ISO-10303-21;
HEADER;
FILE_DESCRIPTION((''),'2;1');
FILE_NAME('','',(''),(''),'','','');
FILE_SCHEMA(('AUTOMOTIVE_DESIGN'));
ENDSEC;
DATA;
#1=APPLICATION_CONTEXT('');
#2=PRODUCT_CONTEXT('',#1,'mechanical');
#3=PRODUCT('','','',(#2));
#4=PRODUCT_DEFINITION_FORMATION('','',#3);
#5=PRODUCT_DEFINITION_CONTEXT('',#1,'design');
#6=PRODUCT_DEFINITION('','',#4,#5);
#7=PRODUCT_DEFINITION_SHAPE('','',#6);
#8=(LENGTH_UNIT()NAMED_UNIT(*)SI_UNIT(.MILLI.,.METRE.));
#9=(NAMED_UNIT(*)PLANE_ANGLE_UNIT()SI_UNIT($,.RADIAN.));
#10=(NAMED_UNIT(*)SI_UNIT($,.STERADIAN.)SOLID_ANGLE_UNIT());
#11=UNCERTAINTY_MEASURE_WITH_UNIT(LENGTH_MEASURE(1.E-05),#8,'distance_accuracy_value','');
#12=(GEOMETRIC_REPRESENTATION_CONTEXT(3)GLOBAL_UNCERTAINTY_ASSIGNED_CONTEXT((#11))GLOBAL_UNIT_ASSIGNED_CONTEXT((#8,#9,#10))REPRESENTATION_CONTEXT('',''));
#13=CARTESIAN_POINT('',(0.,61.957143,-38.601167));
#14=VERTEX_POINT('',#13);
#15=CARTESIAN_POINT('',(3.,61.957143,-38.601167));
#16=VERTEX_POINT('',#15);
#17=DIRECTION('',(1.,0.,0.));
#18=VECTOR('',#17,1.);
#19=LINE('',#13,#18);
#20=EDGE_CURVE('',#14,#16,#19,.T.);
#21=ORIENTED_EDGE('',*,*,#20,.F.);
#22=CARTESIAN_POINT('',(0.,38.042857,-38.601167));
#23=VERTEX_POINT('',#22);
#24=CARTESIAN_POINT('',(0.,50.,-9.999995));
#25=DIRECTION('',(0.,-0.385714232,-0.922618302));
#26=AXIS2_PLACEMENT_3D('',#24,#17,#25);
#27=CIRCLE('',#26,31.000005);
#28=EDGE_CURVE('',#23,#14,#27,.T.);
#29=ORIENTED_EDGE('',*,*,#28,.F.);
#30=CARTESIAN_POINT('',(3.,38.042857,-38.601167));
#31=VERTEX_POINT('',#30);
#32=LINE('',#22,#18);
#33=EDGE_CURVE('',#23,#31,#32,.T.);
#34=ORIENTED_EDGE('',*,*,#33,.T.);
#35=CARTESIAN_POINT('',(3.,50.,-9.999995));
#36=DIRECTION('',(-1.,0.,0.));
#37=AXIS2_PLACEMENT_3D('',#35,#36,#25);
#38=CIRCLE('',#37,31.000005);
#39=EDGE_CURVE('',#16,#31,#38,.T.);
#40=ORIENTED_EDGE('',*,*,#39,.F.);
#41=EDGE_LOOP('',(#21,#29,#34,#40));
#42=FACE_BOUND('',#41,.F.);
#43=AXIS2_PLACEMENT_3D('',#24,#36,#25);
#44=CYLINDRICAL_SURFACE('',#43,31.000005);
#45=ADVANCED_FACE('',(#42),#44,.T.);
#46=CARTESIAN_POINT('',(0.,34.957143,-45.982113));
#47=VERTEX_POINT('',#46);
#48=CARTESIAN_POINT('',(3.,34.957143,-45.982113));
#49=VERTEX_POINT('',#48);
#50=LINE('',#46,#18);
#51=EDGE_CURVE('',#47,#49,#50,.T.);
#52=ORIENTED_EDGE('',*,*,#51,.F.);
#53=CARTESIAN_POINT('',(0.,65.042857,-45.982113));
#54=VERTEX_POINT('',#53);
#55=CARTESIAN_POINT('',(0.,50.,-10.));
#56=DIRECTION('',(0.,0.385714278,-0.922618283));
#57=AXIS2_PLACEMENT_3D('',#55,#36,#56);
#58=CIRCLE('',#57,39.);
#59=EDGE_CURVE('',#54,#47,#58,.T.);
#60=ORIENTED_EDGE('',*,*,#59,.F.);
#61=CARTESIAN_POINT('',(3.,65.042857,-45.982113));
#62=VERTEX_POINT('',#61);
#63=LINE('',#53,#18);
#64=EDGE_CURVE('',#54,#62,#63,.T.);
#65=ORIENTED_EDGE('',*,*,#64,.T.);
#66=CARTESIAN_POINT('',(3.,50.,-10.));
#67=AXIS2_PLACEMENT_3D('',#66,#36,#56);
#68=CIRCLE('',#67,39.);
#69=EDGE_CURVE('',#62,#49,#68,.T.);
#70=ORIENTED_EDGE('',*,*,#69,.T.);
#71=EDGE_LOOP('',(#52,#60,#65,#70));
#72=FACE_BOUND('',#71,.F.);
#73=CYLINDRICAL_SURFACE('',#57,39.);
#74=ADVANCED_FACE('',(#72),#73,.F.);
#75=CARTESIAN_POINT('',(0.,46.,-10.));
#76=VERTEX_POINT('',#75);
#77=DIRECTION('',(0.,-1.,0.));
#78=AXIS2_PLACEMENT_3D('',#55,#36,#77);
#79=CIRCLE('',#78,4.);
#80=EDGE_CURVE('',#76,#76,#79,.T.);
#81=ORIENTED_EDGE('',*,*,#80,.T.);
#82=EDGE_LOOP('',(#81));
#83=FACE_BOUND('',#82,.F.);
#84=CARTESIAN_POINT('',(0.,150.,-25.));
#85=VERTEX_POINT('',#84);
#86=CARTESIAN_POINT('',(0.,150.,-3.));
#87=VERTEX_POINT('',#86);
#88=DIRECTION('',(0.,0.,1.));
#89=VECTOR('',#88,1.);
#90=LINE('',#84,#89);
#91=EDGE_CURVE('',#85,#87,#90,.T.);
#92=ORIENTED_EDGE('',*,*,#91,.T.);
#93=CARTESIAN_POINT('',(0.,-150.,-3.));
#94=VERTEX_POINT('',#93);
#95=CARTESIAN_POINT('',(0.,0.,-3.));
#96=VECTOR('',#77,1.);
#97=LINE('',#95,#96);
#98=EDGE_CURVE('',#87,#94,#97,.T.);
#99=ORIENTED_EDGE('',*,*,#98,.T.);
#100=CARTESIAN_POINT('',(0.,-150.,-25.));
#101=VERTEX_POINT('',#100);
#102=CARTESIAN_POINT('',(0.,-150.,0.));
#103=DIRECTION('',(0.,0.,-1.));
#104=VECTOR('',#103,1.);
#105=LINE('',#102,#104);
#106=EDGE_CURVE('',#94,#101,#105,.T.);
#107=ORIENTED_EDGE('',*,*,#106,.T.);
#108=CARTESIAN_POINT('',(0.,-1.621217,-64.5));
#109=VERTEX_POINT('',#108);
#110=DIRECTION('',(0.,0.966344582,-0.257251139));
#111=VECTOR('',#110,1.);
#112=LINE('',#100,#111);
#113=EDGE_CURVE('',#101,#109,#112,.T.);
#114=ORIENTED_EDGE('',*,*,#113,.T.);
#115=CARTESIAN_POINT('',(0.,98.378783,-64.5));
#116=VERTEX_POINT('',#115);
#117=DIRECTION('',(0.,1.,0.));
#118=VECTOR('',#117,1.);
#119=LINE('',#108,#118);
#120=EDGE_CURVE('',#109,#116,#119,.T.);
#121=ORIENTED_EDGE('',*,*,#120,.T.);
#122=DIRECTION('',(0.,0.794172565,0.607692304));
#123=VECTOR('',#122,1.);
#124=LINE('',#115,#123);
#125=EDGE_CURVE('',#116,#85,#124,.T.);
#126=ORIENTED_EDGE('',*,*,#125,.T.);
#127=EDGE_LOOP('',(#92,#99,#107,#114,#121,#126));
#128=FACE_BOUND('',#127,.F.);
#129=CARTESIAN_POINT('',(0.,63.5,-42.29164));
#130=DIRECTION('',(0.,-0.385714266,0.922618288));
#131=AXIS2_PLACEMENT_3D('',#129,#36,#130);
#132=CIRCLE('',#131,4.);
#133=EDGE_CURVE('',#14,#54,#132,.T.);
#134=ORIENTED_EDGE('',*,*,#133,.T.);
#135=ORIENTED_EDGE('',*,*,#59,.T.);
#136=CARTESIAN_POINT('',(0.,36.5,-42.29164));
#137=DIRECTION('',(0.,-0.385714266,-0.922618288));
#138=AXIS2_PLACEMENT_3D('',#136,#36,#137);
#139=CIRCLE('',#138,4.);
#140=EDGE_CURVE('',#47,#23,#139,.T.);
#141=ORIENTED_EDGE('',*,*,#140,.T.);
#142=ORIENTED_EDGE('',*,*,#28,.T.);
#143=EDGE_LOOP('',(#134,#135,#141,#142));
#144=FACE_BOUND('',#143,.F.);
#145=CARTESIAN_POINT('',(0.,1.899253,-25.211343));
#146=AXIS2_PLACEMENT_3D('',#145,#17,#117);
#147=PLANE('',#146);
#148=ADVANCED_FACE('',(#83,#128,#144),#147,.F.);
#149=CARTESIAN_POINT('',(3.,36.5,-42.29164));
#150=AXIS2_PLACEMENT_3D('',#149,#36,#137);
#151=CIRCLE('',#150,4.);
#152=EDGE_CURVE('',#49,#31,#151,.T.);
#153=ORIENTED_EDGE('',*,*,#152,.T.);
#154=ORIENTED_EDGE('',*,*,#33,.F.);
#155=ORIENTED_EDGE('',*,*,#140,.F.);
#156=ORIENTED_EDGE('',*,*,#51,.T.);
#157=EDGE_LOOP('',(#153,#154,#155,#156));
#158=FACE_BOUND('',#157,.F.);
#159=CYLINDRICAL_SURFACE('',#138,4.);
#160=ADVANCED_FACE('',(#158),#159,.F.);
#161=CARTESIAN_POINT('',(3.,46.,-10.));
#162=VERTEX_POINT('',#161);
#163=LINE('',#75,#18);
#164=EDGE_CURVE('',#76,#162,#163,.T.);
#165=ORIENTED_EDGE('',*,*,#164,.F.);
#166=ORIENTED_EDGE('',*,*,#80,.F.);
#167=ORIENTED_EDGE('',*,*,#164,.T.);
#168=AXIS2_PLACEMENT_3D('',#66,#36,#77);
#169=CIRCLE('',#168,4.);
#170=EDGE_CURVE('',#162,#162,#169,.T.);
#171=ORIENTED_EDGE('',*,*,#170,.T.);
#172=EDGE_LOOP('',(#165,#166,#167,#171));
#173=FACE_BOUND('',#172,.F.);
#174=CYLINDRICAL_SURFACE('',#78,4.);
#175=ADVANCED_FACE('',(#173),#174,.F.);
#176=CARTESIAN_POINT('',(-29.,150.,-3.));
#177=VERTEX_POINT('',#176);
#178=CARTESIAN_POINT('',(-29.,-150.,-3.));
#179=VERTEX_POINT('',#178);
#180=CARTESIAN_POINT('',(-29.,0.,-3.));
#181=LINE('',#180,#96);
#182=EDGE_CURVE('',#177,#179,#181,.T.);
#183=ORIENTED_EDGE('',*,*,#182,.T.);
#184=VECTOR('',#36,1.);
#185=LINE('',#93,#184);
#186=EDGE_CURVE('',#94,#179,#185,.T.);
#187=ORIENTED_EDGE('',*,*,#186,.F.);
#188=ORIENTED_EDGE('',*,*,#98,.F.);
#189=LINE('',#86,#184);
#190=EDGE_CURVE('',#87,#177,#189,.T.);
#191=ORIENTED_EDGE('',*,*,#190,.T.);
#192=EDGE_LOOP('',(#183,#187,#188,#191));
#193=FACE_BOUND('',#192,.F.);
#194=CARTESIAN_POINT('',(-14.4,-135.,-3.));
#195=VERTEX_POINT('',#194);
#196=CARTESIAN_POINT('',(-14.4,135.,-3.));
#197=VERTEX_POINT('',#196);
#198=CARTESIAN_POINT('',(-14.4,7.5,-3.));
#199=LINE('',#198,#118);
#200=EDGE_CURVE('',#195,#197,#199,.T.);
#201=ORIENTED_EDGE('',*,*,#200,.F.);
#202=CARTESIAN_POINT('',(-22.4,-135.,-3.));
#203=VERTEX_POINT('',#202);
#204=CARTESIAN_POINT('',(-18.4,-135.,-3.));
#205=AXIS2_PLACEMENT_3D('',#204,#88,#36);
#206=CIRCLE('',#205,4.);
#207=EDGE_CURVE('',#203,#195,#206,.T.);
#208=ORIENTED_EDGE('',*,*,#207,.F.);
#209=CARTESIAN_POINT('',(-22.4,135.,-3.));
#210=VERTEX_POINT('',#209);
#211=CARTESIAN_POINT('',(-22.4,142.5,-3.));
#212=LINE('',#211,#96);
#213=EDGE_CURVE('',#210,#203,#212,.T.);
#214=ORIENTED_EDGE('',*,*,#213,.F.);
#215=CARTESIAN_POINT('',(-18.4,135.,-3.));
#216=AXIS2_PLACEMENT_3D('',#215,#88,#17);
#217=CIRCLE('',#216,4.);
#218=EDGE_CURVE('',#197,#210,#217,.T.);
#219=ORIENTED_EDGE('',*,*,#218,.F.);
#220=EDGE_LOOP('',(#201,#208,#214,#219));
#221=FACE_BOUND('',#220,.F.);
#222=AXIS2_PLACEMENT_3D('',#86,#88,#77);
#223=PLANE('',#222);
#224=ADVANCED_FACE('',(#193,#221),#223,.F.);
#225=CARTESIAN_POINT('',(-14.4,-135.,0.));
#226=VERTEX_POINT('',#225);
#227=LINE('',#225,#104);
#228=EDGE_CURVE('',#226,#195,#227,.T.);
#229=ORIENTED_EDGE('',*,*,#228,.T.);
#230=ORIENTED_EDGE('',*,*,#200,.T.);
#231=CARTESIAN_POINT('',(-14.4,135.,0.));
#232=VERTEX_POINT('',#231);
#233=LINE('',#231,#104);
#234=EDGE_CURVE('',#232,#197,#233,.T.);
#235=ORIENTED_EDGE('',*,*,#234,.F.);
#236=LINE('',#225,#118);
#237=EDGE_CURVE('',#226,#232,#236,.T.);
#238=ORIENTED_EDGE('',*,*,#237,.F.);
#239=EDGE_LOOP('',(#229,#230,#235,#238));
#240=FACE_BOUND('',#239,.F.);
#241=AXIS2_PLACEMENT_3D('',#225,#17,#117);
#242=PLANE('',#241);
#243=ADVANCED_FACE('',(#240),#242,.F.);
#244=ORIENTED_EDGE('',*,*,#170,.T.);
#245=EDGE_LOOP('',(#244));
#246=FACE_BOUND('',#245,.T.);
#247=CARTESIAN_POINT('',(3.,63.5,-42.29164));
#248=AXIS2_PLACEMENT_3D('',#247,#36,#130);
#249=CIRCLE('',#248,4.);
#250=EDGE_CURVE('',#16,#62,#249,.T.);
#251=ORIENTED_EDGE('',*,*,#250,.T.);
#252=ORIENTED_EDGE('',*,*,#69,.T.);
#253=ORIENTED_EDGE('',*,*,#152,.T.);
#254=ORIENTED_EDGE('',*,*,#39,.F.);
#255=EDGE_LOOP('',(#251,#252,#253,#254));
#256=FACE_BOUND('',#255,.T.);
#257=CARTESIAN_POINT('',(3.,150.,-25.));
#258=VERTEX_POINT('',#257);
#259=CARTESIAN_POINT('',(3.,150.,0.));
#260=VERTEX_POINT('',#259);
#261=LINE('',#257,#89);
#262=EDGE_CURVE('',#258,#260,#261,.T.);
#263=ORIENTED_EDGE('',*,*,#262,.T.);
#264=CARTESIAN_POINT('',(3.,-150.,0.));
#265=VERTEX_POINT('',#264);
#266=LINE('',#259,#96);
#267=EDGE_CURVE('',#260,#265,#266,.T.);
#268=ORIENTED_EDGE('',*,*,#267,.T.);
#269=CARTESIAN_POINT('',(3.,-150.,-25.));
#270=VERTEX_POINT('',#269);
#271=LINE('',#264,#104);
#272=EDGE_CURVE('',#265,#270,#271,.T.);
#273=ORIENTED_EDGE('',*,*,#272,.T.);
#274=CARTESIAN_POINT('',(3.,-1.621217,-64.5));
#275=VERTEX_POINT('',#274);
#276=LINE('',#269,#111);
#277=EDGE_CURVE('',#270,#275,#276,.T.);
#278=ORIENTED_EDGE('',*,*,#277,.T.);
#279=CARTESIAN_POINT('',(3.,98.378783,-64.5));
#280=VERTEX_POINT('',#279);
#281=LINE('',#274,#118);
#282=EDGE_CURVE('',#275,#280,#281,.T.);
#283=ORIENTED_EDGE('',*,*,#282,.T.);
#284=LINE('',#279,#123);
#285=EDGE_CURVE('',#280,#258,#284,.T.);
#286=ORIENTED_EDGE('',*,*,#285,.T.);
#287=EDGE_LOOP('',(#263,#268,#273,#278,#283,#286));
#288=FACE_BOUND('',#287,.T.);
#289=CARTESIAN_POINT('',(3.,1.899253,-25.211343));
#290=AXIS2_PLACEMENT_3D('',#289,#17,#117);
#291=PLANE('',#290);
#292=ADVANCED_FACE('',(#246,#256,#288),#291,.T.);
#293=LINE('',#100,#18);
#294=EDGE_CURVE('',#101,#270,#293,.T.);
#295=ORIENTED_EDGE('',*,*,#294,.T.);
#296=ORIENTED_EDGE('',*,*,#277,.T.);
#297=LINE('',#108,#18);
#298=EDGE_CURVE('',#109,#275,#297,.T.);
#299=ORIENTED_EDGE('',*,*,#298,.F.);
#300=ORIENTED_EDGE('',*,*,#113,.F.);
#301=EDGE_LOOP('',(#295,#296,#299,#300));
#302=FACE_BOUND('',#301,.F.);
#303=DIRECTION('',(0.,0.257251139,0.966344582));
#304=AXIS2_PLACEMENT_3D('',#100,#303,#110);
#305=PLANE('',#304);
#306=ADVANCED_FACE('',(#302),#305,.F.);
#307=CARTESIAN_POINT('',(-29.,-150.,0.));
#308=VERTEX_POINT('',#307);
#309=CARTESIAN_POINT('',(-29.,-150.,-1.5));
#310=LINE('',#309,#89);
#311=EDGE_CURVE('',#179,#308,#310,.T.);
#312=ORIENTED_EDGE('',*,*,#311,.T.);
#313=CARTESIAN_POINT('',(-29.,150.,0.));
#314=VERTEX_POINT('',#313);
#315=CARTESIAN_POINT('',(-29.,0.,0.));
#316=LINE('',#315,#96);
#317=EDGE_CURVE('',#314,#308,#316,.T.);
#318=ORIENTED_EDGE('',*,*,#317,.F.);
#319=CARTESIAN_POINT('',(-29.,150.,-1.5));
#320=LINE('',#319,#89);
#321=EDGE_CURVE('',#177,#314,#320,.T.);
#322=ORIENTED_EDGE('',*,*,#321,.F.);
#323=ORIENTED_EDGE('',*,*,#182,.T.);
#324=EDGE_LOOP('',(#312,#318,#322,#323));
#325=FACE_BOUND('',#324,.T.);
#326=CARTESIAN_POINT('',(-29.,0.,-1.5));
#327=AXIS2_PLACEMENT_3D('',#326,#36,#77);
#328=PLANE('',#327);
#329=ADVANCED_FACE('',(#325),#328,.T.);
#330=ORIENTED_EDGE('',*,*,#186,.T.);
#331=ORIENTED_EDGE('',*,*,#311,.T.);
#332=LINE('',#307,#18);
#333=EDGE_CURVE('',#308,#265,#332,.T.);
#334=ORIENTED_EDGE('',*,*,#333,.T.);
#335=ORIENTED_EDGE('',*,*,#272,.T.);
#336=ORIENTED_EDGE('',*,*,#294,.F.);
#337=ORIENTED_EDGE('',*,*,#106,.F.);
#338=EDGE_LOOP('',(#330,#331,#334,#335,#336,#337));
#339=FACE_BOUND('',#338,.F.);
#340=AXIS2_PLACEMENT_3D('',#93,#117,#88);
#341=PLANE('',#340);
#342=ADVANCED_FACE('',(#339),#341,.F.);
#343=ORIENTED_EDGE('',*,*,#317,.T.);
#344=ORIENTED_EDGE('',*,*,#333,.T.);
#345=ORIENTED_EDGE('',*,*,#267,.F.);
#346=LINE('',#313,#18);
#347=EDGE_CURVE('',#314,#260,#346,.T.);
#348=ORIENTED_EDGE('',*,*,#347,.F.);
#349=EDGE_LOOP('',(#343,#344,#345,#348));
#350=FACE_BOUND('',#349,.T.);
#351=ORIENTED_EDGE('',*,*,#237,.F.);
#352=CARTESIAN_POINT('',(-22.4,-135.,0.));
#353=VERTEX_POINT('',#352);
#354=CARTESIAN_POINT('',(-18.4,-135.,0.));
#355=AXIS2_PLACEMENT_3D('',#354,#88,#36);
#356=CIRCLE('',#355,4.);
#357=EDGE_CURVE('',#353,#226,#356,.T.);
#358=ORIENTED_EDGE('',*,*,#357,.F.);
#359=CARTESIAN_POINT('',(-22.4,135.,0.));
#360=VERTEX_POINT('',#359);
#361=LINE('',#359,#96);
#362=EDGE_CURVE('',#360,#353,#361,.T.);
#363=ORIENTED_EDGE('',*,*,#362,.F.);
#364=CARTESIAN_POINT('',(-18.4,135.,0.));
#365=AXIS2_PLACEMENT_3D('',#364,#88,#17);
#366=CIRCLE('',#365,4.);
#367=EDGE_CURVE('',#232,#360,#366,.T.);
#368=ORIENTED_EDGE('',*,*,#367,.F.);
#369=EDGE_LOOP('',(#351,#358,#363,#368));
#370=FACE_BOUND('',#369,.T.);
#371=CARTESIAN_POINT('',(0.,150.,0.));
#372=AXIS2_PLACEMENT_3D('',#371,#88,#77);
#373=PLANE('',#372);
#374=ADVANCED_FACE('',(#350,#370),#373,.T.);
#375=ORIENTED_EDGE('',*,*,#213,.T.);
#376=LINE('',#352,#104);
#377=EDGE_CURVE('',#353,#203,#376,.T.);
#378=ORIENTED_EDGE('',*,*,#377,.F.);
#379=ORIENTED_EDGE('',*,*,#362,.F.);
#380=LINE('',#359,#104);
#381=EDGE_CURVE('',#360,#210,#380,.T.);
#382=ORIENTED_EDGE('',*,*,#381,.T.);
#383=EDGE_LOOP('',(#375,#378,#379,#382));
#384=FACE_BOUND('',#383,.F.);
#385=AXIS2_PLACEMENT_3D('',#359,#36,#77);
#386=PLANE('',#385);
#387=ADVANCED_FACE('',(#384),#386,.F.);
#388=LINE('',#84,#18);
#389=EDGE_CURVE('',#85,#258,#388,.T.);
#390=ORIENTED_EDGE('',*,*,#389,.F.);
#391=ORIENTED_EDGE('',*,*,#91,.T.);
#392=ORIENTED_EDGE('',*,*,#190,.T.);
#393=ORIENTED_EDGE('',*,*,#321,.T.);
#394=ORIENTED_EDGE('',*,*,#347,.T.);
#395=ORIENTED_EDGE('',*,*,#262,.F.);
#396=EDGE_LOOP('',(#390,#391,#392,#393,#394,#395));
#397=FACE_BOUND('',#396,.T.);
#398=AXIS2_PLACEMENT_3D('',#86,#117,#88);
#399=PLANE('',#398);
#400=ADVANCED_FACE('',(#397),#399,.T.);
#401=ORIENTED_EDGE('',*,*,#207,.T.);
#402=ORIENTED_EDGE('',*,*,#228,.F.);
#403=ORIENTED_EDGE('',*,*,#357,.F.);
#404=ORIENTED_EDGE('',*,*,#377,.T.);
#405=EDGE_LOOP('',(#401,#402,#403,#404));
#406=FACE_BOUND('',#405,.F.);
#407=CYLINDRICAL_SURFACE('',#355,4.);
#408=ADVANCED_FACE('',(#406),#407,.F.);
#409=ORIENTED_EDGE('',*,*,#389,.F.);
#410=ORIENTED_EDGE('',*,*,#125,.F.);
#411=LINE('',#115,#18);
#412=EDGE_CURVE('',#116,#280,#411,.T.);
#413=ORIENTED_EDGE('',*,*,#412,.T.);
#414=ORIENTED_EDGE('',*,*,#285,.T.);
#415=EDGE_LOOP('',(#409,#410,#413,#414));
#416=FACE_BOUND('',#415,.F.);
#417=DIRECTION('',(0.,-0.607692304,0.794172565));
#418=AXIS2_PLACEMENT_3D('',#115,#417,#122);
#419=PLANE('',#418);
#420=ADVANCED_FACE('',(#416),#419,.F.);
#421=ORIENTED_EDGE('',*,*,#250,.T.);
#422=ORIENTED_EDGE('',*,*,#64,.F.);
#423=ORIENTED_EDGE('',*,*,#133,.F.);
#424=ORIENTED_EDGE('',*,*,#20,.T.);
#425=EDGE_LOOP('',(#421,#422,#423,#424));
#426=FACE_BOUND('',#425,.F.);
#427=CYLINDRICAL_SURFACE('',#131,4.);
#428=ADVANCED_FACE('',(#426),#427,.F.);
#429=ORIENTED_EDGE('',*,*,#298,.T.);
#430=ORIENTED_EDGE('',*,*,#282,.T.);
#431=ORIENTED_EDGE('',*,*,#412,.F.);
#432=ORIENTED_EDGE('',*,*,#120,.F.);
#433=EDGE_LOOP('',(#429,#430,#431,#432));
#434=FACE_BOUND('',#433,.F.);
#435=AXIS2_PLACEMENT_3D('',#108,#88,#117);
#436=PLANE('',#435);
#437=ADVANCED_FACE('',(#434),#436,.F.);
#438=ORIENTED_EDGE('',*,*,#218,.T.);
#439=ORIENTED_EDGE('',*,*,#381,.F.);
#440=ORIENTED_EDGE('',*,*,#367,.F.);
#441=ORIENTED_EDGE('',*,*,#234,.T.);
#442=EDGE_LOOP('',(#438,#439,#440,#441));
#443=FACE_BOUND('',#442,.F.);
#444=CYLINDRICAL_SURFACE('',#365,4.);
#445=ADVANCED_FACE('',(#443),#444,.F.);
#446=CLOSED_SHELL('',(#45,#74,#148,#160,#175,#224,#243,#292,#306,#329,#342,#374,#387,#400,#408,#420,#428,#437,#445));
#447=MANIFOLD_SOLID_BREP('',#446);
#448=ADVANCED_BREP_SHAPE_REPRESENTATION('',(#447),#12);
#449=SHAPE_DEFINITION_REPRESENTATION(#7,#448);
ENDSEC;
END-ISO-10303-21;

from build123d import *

# Parameters (mm, degrees)
F1_DEPTH = 3
F2_W     = 300
F2_H     = 3
F3_DEPTH = 29
F5_DEPTH = 64.501
F6_R     = 4
F7_DEPTH = 3.001


with BuildPart() as f1:
    # F0 (on Right) → F1 (new body)
    with BuildSketch(Plane.YZ):
        Polygon((150, -25), (150, 0), (-150, 0), (-150, -25), (-1.621217, -64.5), (98.378783, -64.5), align=None)
    extrude(amount=F1_DEPTH)

    # F2 (on face) → F3 (join)
    with BuildSketch(Plane(origin=(0, 0, 0), x_dir=(0, -1, 0), z_dir=(-1, 0, 0))):
        with Locations((0, -1.5)):
            Rectangle(F2_W, F2_H)
    extrude(amount=F3_DEPTH)

    # F4 (on face) → F5 (cut, through all)
    with BuildSketch(Plane.XY):
        with BuildLine():
            ThreePointArc((-22.4, -135), (-18.4, -139), (-14.4, -135))
            Line((-14.4, -135), (-14.4, 135))
            ThreePointArc((-14.4, 135), (-18.4, 139), (-22.4, 135))
            Line((-22.4, 135), (-22.4, -135))
        make_face()
    extrude(amount=-F5_DEPTH, mode=Mode.SUBTRACT)

    # F6 (on face) → F7 (cut, through all)
    with BuildSketch(Plane(origin=(0, 0, 0), x_dir=(0, -1, 0), z_dir=(-1, 0, 0))):
        with Locations((-50, -10)):
            Circle(F6_R)
        with BuildLine():
            ThreePointArc((-61.957143, -38.601167), (-67.190473, -40.748783), (-65.042857, -45.982113))
            ThreePointArc((-65.042857, -45.982113), (-50, -49), (-34.957143, -45.982113))
            ThreePointArc((-34.957143, -45.982113), (-32.809527, -40.748783), (-38.042857, -38.601167))
            ThreePointArc((-38.042857, -38.601167), (-50, -41), (-61.957143, -38.601167))
        make_face()
    extrude(amount=-F7_DEPTH, mode=Mode.SUBTRACT)


solid = f1.part
